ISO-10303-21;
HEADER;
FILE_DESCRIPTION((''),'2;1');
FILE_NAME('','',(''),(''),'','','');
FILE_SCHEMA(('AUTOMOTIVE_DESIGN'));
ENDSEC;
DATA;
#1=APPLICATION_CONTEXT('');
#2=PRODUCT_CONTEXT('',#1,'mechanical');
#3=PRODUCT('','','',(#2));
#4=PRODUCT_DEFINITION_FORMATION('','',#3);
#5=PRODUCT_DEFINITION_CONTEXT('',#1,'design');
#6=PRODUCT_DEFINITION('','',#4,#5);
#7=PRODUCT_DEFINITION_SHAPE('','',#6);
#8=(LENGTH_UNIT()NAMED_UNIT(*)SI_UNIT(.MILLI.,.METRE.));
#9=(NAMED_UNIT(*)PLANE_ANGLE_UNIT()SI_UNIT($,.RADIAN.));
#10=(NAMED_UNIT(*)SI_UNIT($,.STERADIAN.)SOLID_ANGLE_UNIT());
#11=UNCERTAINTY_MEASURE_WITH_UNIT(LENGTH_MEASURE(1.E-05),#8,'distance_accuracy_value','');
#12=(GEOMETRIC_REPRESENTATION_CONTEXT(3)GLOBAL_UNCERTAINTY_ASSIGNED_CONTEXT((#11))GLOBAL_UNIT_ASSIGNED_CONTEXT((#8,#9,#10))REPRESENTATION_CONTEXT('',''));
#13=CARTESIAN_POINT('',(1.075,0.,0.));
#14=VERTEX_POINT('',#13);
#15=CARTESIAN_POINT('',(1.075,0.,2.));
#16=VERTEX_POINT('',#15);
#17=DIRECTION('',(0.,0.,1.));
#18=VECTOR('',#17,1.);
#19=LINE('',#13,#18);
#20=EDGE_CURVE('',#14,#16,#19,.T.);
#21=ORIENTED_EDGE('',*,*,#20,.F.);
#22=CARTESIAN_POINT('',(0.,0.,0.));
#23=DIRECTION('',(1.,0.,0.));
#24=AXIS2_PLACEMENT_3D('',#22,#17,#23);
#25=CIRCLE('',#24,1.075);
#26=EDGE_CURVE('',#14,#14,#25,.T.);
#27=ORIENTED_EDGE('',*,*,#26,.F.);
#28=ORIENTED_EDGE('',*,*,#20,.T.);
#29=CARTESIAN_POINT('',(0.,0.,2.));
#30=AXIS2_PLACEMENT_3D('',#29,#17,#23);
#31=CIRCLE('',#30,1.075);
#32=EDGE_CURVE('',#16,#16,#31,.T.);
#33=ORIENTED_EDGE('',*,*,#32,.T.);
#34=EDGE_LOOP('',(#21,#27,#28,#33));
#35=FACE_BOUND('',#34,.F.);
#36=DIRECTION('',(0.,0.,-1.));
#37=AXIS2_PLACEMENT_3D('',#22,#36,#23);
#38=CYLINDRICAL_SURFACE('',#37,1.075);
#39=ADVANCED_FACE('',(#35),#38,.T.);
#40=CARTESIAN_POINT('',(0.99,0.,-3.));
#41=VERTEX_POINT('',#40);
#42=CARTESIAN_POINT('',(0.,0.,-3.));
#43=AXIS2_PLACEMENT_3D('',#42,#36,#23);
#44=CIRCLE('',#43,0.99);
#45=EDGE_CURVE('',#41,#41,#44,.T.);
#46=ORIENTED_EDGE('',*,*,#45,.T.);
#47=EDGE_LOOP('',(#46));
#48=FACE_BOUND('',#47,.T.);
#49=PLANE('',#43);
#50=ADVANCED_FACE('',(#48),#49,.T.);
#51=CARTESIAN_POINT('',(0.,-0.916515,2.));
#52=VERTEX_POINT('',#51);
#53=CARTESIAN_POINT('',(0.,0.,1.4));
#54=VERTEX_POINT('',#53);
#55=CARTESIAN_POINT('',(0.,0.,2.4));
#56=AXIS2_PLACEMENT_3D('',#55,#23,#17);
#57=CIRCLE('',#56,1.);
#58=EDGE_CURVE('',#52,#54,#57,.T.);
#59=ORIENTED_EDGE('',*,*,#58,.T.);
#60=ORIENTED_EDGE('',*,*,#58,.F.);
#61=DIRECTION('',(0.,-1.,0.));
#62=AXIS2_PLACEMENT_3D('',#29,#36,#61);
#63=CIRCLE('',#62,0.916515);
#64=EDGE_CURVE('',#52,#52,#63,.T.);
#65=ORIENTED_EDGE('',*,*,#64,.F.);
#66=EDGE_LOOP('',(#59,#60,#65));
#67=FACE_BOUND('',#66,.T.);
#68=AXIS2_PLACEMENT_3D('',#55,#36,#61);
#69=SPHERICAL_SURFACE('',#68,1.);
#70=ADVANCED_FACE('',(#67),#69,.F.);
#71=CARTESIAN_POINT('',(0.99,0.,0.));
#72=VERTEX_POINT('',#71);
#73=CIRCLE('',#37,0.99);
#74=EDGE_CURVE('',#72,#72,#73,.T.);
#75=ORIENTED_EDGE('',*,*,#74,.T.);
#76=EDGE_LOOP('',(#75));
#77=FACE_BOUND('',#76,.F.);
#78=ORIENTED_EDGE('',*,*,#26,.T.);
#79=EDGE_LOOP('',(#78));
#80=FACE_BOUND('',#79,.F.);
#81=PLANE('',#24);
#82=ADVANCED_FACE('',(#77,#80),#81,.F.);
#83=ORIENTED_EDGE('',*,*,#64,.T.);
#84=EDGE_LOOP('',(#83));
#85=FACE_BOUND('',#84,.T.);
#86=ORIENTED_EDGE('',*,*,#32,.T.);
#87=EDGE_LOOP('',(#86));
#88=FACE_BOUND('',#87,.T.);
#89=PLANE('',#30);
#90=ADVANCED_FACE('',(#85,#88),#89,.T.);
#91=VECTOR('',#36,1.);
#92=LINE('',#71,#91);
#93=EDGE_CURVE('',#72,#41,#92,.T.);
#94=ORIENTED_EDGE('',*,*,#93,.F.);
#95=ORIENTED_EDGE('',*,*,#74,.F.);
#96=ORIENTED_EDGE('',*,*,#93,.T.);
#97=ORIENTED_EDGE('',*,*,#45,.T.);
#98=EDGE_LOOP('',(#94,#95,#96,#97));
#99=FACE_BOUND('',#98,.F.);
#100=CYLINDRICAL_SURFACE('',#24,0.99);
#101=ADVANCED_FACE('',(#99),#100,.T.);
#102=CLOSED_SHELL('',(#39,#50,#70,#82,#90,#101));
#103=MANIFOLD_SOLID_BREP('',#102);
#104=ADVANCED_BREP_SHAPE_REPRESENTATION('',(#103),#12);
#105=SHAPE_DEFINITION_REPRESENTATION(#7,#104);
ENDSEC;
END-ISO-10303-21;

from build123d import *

# Parameters (mm, degrees)
F0_R     = 1.075
F1_DEPTH = 2
F2_R     = 0.99
F3_DEPTH = 3


with BuildPart() as f1:
    # F0 (on Top) → F1 (new body)
    with BuildSketch(Plane.XY):
        Circle(F0_R)
    extrude(amount=F1_DEPTH)

    # F2 (on face) → F3 (join)
    with BuildSketch(Plane(origin=(0, 0, 0), x_dir=(1, 0, 0), z_dir=(0, 0, -1))):
        Circle(F2_R)
    extrude(amount=F3_DEPTH)

    # F4 (on Right) → F5 (revolve, cut)
    with BuildSketch(Plane.YZ):
        with BuildLine():
            Line((0, 1.4), (0, 3.4))
            ThreePointArc((0, 3.4), (-1, 2.4), (0, 1.4))
        make_face()
    revolve(axis=Axis((0, 0, 1.2), (0, 0, 1)), mode=Mode.SUBTRACT)


solid = f1.part
